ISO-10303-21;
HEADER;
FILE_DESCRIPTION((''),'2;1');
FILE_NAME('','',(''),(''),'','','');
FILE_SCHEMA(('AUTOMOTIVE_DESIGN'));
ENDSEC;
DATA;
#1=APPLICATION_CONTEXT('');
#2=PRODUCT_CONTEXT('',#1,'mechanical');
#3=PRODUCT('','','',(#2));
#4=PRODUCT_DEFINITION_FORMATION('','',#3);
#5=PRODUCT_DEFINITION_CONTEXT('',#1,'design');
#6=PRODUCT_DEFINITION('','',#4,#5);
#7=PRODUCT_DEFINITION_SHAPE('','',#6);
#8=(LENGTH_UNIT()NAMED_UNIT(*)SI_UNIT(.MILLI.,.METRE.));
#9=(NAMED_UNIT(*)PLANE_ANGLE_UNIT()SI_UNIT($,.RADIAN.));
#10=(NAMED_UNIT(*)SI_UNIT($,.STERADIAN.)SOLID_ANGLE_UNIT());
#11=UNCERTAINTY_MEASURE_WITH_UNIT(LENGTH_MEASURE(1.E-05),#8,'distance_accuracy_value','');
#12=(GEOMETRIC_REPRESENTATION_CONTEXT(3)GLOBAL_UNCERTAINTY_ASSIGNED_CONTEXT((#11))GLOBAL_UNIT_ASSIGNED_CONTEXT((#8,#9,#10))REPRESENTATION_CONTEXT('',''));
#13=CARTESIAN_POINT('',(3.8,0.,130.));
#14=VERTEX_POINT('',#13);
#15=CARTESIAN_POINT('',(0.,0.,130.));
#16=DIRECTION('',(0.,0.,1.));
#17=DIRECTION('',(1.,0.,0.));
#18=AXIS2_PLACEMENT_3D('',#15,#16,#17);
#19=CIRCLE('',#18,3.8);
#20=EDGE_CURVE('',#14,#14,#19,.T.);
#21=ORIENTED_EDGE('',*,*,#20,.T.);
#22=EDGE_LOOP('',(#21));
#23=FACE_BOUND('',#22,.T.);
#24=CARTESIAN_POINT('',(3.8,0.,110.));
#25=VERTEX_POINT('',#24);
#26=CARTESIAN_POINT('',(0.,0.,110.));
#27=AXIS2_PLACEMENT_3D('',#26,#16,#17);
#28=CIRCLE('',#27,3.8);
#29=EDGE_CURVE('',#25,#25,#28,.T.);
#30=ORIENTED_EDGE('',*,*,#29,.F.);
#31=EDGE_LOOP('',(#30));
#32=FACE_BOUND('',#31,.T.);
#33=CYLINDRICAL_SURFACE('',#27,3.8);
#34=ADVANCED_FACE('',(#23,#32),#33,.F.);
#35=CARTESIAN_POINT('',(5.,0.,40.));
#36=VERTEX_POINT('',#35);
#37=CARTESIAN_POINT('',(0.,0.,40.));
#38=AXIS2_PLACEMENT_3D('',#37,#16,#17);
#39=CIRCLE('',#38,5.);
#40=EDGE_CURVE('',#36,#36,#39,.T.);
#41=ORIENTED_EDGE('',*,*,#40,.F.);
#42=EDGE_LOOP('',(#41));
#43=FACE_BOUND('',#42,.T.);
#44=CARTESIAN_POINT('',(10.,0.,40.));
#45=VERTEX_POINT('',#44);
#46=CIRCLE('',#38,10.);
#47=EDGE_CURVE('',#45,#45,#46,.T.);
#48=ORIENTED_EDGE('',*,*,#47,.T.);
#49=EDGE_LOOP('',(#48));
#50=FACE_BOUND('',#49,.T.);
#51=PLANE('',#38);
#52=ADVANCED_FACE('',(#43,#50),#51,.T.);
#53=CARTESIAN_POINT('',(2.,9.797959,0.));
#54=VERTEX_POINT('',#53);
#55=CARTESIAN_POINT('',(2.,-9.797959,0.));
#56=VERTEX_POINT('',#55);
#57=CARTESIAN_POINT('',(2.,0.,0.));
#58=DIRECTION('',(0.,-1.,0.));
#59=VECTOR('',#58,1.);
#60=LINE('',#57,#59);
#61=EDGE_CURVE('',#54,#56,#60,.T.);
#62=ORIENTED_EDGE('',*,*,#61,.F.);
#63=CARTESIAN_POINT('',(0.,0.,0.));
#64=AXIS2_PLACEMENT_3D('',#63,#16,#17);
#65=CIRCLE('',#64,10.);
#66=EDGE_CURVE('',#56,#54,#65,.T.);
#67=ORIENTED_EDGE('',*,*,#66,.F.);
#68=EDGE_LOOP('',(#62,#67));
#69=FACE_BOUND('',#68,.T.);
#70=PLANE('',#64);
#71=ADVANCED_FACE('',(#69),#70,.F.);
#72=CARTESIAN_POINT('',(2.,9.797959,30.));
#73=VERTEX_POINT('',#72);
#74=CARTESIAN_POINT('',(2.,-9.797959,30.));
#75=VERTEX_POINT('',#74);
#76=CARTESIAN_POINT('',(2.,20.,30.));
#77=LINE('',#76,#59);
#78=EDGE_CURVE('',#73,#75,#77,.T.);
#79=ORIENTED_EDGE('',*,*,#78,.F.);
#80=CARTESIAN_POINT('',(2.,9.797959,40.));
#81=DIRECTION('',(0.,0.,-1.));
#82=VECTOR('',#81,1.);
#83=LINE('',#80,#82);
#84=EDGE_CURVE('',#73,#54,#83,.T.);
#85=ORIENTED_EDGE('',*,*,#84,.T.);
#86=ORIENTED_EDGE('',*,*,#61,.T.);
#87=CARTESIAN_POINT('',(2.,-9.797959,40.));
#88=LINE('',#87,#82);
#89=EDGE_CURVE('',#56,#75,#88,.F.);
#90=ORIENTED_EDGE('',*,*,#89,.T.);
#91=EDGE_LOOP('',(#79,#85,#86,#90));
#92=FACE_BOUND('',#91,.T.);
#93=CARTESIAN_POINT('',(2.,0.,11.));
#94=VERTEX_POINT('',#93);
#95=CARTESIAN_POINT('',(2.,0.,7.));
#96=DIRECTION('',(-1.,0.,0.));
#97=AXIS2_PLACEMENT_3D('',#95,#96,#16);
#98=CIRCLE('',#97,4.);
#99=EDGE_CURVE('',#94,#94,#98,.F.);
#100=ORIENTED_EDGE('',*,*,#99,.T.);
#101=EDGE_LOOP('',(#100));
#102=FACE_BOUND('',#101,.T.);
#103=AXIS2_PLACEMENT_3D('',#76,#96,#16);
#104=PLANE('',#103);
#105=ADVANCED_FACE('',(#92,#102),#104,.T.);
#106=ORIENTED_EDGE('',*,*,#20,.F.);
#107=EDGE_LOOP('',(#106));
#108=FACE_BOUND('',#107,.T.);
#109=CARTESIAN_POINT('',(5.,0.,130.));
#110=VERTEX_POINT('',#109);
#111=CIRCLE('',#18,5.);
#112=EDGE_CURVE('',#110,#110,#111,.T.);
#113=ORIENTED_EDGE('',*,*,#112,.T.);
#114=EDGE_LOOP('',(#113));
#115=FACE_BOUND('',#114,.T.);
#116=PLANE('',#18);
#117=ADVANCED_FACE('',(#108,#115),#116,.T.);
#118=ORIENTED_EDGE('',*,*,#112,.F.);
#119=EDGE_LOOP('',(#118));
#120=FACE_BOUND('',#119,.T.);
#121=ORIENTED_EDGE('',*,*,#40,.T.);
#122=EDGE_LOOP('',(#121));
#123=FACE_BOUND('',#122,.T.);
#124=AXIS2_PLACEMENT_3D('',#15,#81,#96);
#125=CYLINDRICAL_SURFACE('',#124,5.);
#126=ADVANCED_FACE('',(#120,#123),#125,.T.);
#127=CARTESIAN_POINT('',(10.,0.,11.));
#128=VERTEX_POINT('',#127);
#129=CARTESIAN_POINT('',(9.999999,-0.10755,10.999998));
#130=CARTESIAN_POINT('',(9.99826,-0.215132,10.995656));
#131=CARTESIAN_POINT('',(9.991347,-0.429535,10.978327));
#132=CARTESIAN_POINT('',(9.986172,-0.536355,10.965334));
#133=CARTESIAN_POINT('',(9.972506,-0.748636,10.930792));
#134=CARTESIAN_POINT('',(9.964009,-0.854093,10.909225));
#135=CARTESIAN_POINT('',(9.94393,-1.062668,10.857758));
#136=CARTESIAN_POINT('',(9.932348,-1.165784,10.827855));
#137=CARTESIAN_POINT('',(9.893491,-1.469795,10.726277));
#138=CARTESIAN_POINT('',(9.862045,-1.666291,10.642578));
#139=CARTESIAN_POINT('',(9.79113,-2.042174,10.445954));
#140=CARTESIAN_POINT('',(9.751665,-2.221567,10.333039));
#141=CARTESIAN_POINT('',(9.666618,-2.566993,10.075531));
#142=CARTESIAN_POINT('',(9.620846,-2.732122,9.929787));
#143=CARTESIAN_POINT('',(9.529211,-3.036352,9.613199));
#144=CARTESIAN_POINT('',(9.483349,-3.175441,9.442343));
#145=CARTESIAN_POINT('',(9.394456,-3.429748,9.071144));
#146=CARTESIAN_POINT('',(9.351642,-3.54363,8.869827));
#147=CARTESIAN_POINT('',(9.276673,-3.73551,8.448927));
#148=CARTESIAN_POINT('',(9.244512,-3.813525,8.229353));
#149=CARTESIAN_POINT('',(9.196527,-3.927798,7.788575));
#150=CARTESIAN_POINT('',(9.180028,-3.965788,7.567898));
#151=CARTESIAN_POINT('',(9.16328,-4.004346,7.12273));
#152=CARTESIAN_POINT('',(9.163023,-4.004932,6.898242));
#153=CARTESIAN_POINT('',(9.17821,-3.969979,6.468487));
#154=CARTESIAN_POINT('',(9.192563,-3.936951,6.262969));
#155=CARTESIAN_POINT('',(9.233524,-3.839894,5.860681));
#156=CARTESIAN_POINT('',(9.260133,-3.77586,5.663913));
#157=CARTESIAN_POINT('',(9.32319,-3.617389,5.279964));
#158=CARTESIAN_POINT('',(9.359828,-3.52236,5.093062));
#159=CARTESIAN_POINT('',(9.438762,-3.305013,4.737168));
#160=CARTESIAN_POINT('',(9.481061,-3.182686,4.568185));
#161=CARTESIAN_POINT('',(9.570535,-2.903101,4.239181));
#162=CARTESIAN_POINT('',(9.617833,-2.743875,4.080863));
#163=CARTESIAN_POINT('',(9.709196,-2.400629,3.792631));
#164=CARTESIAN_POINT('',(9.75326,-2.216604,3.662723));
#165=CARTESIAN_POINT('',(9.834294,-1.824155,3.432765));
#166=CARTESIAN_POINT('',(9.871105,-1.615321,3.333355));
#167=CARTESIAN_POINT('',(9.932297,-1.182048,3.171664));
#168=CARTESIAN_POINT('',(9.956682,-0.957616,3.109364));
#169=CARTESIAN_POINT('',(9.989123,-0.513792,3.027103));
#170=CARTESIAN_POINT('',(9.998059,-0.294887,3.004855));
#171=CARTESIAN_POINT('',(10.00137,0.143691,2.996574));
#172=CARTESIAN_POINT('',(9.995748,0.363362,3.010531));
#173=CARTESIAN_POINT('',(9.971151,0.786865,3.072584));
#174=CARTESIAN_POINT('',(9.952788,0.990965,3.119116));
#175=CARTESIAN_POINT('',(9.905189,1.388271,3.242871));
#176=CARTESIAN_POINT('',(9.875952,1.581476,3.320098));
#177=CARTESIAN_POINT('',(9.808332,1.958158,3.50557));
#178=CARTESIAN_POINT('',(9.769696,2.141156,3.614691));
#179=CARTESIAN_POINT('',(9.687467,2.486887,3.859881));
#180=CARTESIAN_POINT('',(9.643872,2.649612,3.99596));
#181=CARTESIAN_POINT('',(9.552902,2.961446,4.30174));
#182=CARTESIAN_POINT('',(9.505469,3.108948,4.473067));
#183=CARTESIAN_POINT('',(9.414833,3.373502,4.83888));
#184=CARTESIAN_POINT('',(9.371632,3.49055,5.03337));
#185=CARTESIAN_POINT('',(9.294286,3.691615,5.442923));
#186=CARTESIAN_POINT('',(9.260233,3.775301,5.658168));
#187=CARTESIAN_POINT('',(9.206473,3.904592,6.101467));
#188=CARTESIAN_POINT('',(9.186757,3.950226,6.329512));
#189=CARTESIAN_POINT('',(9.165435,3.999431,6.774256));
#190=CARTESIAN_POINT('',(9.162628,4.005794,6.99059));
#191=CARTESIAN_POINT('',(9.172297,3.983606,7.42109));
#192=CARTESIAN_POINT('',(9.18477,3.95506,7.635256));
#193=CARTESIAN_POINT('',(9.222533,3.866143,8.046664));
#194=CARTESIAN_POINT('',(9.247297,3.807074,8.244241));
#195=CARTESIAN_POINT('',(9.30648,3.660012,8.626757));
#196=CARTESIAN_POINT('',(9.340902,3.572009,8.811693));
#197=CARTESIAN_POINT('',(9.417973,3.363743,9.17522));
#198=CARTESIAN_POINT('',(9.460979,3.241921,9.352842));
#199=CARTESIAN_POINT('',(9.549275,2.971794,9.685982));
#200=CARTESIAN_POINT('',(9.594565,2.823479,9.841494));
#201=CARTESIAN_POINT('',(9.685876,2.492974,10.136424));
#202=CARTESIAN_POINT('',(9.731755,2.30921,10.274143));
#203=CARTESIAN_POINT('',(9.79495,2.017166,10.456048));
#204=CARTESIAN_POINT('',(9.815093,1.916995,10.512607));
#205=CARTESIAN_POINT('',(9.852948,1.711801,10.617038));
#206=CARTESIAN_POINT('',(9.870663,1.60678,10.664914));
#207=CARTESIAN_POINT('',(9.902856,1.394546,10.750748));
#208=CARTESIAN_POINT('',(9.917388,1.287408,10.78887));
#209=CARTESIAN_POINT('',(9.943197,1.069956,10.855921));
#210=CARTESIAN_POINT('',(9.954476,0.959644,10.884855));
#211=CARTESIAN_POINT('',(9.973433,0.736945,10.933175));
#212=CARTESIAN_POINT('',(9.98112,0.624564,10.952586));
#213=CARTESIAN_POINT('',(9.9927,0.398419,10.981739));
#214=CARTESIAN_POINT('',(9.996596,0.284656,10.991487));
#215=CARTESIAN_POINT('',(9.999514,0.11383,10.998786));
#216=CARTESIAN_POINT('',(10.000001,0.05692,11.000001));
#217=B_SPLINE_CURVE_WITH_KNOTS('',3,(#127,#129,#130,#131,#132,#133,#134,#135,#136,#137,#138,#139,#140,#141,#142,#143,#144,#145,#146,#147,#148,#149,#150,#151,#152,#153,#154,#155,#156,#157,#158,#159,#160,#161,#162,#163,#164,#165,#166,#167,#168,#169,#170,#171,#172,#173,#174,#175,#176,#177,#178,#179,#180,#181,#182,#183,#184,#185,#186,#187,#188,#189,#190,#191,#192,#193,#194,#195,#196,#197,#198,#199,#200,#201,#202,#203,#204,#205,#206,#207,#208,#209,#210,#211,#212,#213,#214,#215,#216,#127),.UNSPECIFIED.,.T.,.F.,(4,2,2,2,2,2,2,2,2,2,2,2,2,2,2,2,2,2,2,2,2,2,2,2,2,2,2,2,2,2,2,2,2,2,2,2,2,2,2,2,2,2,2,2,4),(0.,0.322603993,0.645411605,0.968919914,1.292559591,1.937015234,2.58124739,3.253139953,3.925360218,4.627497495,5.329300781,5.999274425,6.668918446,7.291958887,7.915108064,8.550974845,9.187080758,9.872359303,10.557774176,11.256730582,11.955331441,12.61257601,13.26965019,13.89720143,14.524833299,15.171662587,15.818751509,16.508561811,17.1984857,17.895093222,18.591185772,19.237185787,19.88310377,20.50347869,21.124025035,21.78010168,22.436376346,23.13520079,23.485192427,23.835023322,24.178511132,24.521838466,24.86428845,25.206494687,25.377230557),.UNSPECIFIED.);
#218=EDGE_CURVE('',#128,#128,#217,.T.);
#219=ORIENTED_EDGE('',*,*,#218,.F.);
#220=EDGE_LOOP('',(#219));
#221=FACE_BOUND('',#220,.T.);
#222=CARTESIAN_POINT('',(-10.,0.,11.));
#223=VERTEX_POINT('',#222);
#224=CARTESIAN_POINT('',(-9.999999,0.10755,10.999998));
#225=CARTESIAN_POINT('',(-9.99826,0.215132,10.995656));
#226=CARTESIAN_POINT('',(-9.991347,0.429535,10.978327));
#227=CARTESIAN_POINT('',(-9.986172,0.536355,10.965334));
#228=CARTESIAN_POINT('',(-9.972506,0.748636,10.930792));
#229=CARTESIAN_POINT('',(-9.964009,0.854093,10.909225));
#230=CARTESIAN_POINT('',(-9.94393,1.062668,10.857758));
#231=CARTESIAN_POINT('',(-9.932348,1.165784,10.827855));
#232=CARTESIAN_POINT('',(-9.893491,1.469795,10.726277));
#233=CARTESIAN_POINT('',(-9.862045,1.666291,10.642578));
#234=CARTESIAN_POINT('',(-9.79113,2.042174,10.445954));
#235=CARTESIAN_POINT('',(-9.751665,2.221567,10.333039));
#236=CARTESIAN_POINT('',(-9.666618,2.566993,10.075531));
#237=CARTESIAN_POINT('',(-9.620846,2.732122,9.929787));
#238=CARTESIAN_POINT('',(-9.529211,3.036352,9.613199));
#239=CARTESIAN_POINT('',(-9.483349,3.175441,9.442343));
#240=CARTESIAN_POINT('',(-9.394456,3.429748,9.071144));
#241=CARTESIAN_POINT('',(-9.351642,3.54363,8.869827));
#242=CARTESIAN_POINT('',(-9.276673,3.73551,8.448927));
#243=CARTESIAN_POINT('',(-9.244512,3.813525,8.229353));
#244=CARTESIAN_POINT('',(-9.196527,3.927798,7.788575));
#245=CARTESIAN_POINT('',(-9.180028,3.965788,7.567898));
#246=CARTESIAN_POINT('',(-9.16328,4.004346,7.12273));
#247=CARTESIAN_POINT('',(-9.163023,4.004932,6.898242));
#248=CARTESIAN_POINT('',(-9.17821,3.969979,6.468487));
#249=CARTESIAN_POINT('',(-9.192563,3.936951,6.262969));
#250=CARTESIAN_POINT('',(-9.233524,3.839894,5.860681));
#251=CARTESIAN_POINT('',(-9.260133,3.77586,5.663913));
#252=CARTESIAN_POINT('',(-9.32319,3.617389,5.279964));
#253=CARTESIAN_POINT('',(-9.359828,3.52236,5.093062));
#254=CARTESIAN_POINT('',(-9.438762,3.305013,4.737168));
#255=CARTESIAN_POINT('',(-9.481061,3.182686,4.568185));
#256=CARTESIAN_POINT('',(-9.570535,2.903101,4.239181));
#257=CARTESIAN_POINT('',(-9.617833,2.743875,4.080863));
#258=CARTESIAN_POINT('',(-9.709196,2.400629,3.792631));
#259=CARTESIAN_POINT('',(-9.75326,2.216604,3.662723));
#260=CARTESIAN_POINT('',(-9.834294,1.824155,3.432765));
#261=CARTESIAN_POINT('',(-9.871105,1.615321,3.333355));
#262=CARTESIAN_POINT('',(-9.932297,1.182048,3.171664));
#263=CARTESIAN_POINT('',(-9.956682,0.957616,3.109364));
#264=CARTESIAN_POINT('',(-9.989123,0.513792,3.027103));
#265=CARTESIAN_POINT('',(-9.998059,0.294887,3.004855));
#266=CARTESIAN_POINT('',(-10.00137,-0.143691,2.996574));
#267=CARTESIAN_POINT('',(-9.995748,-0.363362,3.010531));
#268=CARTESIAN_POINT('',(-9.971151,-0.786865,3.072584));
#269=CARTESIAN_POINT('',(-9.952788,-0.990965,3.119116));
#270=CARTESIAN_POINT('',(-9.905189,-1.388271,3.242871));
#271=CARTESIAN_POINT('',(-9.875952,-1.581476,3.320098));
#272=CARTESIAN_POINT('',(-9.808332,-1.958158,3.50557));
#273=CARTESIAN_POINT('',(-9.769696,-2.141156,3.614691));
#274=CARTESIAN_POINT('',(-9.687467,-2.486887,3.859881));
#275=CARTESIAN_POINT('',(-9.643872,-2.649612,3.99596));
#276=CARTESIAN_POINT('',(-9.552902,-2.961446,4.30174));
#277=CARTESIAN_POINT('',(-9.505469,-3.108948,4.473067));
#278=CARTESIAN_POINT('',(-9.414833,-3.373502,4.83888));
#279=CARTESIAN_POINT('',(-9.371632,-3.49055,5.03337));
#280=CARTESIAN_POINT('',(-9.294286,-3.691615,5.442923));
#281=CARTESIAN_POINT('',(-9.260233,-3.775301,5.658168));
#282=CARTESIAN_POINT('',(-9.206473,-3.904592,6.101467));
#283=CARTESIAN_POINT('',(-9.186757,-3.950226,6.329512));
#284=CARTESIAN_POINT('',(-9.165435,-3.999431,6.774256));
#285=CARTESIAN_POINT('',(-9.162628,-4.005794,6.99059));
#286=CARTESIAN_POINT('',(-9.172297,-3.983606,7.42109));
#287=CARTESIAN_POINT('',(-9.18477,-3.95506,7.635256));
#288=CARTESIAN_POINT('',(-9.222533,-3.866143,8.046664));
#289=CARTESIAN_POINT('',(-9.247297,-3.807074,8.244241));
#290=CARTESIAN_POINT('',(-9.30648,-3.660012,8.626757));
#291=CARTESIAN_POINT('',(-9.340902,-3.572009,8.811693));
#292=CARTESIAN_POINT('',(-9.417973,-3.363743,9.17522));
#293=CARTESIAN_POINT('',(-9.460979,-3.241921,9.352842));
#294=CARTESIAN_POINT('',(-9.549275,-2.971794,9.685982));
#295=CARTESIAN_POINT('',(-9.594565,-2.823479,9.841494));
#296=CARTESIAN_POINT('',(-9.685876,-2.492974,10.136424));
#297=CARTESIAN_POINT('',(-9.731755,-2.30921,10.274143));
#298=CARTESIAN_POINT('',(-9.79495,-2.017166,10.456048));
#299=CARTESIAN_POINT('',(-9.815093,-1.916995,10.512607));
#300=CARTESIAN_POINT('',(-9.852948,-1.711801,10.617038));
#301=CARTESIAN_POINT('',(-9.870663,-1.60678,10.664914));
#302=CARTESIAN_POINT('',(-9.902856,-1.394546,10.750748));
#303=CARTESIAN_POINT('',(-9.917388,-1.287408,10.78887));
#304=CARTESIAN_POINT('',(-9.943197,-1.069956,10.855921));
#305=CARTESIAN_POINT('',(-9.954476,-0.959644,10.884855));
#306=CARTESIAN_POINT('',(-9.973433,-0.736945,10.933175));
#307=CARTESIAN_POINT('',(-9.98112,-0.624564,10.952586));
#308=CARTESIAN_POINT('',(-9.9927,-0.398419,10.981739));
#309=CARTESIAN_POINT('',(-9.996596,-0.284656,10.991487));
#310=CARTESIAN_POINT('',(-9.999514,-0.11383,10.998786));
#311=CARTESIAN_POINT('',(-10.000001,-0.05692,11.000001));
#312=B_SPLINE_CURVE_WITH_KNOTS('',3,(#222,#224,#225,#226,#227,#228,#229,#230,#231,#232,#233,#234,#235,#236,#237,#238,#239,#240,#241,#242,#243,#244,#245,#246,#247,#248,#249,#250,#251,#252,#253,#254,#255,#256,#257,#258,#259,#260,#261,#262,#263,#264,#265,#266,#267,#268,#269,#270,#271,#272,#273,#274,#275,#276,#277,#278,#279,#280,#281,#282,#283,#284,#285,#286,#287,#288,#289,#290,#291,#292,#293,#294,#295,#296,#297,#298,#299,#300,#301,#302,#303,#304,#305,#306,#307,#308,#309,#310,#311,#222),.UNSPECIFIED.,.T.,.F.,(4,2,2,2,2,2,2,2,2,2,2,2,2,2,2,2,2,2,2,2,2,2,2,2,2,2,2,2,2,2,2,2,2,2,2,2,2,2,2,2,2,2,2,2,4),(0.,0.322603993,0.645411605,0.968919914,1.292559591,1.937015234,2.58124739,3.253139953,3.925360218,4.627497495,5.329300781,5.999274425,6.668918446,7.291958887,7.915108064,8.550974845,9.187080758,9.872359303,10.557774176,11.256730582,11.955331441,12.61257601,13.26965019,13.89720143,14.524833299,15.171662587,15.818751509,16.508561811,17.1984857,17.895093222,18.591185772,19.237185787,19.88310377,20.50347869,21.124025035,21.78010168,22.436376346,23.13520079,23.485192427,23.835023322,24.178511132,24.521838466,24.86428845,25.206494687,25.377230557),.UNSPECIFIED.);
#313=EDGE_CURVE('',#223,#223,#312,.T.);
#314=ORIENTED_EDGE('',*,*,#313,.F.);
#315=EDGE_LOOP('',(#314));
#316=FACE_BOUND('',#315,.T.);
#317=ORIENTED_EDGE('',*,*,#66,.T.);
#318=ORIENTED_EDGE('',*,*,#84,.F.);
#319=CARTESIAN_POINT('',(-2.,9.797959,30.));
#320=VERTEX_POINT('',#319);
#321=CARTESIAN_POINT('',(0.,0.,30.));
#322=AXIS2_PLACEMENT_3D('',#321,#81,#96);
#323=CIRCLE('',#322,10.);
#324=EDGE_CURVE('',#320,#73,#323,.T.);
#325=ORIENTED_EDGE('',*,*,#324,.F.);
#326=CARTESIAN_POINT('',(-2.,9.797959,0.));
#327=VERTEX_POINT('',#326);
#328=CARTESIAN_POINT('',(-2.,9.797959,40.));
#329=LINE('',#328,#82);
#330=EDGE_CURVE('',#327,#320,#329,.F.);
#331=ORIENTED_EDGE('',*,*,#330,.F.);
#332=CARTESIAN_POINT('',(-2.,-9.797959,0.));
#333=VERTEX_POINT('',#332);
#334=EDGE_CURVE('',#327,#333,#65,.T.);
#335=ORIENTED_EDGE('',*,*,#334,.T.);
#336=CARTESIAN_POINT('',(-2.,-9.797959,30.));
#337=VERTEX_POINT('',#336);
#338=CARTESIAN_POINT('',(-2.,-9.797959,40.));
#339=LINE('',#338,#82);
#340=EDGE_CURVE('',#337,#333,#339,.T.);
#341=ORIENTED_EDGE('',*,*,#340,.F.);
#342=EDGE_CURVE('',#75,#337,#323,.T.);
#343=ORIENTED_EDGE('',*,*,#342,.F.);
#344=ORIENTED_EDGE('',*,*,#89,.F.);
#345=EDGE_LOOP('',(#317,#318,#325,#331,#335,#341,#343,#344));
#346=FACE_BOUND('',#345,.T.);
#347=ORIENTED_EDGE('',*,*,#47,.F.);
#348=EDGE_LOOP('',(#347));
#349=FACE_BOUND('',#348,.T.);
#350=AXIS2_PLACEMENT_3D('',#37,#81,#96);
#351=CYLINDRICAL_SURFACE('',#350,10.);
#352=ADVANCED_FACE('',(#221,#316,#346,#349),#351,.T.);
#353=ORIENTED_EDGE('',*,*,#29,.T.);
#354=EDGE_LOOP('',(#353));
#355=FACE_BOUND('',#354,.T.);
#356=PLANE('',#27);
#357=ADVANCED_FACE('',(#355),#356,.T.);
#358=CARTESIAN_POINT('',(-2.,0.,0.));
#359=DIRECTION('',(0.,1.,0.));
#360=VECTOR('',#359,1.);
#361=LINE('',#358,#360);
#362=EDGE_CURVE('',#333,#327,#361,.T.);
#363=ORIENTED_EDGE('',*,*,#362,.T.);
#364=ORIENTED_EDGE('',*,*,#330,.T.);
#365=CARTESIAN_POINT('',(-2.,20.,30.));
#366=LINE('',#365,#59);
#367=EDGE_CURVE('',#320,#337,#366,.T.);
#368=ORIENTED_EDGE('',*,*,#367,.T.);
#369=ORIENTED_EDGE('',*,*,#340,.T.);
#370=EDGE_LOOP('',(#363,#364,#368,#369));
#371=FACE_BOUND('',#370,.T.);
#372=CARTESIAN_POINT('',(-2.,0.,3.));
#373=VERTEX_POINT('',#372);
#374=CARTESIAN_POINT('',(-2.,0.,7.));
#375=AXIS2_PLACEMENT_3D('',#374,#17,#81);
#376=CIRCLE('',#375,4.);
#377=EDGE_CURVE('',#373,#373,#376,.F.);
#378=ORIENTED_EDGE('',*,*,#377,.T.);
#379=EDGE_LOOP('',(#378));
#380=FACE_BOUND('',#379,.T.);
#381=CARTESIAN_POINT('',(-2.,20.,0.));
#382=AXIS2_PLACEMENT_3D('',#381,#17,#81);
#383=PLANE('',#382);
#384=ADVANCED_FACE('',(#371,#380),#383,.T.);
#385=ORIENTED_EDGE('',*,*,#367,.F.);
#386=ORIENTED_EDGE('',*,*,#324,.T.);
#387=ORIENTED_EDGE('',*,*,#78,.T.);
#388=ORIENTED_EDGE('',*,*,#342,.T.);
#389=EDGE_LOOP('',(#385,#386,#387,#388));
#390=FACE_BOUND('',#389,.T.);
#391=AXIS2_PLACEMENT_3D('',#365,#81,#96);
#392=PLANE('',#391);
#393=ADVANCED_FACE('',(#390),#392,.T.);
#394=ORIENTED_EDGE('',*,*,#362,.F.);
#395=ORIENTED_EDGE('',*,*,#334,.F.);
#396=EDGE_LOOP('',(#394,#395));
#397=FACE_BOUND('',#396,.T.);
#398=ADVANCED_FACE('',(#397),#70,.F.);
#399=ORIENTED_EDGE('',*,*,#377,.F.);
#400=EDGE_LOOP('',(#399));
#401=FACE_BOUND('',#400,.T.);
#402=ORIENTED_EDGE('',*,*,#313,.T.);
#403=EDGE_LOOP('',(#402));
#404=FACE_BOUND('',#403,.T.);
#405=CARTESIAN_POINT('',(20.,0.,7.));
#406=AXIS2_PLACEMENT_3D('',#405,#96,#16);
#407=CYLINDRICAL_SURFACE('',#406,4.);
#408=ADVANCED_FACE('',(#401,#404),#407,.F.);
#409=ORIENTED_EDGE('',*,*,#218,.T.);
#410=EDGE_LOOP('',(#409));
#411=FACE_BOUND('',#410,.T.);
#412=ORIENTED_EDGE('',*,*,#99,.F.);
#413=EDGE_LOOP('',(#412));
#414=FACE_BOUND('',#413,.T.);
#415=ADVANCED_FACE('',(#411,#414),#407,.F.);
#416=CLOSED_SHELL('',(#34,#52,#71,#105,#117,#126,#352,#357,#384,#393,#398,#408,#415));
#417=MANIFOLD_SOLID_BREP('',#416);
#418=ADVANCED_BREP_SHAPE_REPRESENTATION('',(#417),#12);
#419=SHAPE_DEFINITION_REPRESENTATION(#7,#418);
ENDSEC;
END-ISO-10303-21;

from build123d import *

# Parameters (mm, degrees)
SKETCH2_R               = 10
BOSS_EXTRUDE1_DEPTH     = 40
CUT_EXTRUDE1_DEPTH      = 20
CUT_EXTRUDE1_DEPTH_BACK = 20
SKETCH3_W               = 4
SKETCH3_H               = 30
CUT_EXTRUDE2_DEPTH      = 20
CUT_EXTRUDE2_DEPTH_BACK = 20
SKETCH4_R               = 4
SKETCH5_R               = 5
BOSS_EXTRUDE2_DEPTH     = 90
SKETCH6_R               = 3.8
CUT_EXTRUDE3_DEPTH      = 20


with BuildPart() as part:
    # Sketch2 → Boss-Extrude1 (new body)
    with BuildSketch(Plane.XY):
        Circle(SKETCH2_R)
    extrude(amount=BOSS_EXTRUDE1_DEPTH)

    # Sketch3 → Cut-Extrude1 (cut, two sides: drawn at the far end of the back side and taken through both)
    with BuildSketch(Plane(origin=(0, 0, 0), x_dir=(1, 0, 0), z_dir=(0, 1, 0)).offset(-CUT_EXTRUDE1_DEPTH_BACK)):
        with Locations((0, -15)):
            Rectangle(SKETCH3_W, SKETCH3_H)
    extrude(amount=CUT_EXTRUDE1_DEPTH + CUT_EXTRUDE1_DEPTH_BACK, mode=Mode.SUBTRACT)

    # Sketch4 → Cut-Extrude2 (cut, two sides: drawn at the far end of the back side and taken through both)
    with BuildSketch(Plane(origin=(0, 0, 0), x_dir=(0, 0, -1), z_dir=(1, 0, 0)).offset(-CUT_EXTRUDE2_DEPTH_BACK)):
        with Locations((-7, 0)):
            Circle(SKETCH4_R)
    extrude(amount=CUT_EXTRUDE2_DEPTH + CUT_EXTRUDE2_DEPTH_BACK, mode=Mode.SUBTRACT)

    # Sketch5 → Boss-Extrude2 (add)
    with BuildSketch(Plane.XY.offset(40)):
        Circle(SKETCH5_R)
    extrude(amount=BOSS_EXTRUDE2_DEPTH)

    # Sketch6 → Cut-Extrude3 (cut)
    with BuildSketch(Plane.XY.offset(130)):
        Circle(SKETCH6_R)
    extrude(amount=-CUT_EXTRUDE3_DEPTH, mode=Mode.SUBTRACT)


solid = part.part
